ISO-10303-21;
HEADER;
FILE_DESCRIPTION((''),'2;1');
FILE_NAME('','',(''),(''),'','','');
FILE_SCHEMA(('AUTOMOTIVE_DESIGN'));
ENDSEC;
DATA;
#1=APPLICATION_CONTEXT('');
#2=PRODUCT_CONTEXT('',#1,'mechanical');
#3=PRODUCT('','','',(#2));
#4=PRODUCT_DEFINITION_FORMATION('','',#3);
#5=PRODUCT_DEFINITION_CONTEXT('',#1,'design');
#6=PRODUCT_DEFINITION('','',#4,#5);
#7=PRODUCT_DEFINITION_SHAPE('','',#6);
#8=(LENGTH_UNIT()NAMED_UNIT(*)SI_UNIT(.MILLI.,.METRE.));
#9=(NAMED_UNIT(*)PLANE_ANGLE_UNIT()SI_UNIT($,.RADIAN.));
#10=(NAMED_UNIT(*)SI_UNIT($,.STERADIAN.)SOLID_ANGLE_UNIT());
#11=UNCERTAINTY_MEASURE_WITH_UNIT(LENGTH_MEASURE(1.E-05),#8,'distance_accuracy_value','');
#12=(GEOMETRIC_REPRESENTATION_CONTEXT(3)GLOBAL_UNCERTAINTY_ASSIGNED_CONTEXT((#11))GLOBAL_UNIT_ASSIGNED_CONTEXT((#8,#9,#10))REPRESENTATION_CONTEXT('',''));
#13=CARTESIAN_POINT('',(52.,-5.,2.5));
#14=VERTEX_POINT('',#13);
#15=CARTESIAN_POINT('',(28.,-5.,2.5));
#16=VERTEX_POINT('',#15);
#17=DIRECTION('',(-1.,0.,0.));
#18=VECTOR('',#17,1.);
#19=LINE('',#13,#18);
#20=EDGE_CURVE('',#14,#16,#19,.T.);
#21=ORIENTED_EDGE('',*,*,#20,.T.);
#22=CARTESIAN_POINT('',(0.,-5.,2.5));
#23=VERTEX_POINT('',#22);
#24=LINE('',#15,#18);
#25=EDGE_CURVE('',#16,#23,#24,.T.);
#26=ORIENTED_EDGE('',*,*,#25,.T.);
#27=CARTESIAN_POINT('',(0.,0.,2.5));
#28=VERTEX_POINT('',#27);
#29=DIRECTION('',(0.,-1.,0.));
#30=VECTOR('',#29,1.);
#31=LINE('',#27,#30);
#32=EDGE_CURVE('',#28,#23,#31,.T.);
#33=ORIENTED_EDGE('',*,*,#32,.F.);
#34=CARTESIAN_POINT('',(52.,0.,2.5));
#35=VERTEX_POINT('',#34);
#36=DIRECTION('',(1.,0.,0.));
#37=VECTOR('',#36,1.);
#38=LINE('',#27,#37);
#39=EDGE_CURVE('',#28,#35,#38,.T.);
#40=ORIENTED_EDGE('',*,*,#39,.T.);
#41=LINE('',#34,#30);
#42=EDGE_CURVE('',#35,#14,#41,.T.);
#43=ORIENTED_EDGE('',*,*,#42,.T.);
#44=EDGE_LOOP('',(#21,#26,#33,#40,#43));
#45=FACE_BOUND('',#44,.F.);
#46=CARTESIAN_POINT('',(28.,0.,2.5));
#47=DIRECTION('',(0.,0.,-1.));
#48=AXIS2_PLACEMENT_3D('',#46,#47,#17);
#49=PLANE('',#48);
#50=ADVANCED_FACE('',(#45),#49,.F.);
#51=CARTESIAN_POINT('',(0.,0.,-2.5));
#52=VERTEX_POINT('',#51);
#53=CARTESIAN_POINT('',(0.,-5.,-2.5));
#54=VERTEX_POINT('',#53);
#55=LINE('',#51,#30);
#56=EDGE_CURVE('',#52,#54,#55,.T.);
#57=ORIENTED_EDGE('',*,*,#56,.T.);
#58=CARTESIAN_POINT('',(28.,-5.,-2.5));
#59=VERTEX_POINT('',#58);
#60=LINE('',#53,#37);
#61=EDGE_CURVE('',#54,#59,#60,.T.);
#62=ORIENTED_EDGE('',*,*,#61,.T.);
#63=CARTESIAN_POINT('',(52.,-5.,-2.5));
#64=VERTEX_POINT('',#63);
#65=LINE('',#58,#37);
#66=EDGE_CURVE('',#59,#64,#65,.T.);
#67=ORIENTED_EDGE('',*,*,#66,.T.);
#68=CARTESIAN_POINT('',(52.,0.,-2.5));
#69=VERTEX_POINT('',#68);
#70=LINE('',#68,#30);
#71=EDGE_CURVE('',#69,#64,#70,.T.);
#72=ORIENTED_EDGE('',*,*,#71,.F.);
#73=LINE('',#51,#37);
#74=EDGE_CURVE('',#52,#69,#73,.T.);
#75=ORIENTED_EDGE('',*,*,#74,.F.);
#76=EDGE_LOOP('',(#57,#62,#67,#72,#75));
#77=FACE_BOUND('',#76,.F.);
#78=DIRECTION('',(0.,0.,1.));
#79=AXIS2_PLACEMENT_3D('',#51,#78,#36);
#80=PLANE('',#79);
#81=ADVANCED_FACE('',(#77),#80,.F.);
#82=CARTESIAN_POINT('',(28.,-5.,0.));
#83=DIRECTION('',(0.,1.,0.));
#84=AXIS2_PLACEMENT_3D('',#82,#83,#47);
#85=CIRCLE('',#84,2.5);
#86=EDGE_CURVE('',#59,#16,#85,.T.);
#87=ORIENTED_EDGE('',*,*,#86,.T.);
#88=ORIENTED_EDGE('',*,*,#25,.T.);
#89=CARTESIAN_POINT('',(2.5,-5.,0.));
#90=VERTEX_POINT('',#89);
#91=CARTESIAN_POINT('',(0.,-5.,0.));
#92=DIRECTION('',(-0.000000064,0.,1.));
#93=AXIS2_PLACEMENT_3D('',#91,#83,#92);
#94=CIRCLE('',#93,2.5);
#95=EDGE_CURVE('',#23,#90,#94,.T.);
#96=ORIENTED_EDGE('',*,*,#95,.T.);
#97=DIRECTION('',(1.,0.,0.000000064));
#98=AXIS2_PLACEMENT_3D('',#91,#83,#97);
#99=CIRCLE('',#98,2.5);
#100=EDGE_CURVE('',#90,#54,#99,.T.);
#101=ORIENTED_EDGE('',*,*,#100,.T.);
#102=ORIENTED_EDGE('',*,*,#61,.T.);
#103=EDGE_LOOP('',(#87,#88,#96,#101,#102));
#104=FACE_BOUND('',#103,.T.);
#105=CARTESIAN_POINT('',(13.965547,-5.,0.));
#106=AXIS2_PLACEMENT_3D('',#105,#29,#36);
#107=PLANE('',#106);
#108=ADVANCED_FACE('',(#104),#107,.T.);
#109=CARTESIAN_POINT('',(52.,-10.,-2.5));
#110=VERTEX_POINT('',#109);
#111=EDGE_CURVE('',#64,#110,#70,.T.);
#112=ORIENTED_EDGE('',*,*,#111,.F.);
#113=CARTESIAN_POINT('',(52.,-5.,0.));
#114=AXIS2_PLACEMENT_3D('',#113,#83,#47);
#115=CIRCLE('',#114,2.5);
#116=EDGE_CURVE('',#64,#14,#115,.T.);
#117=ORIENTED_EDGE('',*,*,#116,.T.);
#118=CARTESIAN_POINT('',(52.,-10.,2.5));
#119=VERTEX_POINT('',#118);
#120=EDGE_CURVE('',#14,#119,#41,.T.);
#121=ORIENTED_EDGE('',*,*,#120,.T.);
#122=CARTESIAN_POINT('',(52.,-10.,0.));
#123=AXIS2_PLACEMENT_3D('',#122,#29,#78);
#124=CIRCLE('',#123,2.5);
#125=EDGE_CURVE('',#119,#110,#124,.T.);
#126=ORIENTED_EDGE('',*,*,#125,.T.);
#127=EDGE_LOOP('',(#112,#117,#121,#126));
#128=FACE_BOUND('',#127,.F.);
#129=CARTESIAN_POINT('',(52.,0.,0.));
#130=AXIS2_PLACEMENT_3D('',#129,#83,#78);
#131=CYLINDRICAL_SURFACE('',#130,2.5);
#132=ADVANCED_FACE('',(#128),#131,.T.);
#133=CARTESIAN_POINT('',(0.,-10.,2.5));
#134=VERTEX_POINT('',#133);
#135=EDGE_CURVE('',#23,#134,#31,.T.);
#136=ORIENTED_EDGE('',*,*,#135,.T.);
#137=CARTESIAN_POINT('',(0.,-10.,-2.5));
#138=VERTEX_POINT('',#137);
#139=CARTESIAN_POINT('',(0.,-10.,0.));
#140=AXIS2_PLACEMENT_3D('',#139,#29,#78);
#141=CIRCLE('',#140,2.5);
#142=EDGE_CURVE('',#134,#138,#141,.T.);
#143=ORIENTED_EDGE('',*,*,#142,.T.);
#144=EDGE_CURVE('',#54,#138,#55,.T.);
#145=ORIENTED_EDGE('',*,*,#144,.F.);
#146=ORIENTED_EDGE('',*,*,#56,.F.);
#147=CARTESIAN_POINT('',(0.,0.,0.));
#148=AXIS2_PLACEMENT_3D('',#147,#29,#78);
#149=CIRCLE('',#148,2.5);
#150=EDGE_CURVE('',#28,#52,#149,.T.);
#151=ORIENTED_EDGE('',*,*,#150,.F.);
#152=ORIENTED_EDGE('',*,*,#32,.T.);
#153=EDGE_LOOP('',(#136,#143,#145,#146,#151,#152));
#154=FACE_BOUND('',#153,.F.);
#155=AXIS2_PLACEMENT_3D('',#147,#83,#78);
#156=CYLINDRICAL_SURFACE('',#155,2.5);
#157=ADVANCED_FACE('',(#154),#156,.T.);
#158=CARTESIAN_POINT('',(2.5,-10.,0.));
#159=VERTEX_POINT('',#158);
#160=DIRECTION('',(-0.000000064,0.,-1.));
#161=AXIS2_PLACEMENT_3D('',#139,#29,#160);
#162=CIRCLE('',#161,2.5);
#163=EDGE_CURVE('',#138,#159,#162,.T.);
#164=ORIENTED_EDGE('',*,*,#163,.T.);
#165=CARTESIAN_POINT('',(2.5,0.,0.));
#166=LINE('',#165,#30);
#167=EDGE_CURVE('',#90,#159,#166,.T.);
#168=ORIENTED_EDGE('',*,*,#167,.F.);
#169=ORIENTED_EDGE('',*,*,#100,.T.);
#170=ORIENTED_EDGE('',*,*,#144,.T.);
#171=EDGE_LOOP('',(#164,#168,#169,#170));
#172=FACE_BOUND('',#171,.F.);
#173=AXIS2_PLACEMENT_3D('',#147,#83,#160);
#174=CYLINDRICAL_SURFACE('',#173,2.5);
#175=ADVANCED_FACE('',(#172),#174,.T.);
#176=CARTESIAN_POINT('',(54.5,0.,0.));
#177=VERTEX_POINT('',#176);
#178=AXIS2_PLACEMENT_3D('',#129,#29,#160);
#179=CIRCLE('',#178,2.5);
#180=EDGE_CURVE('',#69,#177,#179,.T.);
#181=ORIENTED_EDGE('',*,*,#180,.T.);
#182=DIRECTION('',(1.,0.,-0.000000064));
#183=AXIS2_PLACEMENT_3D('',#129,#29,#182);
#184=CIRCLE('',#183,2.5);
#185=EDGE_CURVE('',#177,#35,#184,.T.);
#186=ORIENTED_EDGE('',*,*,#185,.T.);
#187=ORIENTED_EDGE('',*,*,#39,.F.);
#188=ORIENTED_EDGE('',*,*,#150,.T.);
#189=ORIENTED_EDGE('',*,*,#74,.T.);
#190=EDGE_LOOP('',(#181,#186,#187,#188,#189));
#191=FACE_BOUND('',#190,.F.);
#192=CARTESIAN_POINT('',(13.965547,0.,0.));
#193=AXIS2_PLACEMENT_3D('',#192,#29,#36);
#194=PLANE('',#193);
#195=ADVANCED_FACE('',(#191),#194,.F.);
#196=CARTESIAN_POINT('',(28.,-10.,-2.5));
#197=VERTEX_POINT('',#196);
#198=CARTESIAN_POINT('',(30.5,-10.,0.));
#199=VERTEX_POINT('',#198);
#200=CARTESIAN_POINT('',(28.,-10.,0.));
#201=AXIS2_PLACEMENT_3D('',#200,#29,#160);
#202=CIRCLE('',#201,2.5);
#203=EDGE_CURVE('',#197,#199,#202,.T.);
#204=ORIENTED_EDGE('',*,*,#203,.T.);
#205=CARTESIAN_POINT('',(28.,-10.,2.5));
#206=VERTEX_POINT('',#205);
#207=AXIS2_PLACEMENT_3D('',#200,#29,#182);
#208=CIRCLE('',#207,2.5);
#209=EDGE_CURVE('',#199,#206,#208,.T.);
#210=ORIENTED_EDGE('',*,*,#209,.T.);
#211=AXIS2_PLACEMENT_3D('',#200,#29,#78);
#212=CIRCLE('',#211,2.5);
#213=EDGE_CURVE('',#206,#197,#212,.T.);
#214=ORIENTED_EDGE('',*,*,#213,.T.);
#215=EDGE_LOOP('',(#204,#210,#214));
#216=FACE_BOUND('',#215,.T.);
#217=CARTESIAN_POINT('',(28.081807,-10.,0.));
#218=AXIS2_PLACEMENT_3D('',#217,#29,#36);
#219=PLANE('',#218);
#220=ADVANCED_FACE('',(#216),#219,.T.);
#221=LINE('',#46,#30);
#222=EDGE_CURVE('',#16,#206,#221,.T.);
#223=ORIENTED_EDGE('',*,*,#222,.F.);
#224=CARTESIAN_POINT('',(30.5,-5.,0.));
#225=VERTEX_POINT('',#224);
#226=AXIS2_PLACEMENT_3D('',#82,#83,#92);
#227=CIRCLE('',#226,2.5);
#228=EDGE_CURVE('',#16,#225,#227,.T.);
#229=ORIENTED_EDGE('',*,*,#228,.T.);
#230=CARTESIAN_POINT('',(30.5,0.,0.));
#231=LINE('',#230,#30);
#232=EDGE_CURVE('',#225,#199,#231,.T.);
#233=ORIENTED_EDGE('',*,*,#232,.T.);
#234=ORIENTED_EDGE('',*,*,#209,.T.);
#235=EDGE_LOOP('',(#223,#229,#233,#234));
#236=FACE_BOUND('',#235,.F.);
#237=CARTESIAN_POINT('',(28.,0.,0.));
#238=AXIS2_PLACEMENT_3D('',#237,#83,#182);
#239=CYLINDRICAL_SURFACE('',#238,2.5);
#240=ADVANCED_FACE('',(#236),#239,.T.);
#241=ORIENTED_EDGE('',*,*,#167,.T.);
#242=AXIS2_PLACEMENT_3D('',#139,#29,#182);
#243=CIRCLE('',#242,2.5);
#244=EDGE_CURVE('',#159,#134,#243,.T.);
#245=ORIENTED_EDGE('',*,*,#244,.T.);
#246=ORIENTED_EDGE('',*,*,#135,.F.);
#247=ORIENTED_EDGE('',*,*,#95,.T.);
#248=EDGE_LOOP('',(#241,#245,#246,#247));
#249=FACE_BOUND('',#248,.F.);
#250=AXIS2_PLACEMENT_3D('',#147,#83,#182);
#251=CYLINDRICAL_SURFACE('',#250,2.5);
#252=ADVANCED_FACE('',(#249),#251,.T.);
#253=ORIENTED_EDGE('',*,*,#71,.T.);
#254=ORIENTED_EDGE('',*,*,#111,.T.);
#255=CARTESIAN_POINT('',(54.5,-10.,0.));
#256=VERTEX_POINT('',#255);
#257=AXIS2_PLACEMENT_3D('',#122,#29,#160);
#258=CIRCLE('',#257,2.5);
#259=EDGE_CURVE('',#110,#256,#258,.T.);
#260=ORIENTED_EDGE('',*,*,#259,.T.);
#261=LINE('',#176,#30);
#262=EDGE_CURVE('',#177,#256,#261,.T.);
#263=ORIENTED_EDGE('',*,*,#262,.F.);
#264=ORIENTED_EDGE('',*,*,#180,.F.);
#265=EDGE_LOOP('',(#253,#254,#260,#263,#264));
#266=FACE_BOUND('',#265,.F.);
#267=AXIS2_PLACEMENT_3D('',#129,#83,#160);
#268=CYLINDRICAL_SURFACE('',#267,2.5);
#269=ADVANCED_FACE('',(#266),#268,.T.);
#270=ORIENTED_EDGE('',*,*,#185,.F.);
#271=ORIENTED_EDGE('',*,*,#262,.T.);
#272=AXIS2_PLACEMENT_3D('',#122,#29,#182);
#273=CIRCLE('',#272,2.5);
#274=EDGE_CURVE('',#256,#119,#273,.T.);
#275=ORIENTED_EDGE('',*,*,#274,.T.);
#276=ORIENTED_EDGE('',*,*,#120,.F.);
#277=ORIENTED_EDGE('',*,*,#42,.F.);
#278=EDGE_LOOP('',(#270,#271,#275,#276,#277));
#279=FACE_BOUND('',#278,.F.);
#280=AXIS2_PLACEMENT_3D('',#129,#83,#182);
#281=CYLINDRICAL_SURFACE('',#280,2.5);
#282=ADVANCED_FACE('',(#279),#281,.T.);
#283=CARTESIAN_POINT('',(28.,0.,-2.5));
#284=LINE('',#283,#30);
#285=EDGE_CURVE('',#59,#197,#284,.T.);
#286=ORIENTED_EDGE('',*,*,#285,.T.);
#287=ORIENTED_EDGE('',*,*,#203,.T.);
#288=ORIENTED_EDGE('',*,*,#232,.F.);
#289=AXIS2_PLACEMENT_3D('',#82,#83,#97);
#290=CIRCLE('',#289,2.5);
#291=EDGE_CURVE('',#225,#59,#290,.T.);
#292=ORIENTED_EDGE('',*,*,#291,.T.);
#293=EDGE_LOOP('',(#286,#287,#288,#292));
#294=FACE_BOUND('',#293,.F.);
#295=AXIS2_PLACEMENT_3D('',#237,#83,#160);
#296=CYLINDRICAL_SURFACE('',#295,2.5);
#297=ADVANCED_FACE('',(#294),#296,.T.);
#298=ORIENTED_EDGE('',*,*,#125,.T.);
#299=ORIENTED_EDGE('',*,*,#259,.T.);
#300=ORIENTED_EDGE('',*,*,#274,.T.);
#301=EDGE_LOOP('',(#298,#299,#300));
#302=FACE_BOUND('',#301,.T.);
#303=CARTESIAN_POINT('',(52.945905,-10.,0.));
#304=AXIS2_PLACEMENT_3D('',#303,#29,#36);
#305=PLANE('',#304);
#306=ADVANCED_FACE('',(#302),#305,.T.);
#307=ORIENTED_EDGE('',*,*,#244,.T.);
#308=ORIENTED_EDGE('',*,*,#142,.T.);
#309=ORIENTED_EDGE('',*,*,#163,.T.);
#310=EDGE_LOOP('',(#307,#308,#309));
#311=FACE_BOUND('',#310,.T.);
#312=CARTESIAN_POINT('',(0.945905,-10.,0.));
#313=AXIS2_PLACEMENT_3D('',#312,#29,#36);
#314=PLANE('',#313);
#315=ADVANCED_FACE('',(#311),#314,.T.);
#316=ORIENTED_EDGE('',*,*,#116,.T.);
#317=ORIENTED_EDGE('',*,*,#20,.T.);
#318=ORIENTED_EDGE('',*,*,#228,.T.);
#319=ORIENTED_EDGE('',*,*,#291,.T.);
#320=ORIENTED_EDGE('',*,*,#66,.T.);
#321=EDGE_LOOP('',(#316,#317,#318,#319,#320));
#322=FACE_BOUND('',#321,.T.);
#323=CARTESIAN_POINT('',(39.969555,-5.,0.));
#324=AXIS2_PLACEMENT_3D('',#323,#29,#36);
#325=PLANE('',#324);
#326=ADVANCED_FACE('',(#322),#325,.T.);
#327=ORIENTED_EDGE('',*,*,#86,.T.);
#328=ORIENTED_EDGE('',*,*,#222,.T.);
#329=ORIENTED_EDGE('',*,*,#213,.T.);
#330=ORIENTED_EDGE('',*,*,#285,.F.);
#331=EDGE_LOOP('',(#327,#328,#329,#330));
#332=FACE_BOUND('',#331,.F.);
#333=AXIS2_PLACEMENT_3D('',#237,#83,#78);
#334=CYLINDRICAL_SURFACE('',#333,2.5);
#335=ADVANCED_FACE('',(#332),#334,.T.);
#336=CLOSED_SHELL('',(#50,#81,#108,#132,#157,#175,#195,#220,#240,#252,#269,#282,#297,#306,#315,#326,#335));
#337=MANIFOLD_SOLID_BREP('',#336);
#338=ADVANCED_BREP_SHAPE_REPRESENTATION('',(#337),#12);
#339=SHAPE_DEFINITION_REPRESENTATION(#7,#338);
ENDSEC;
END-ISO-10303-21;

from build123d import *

# Parameters (mm, degrees)
F1_DEPTH = 10
F2_DEPTH = 5


with BuildPart() as f1:
    # F0 (on Front) → F1 (new body)
    with BuildSketch(Plane.XZ):
        with BuildLine():
            ThreePointArc((0, -2.5), (1.767767, -1.767767), (2.5, 0))
            ThreePointArc((2.5, 0), (1.767767, 1.767767), (0, 2.5))
            Line((0, 2.5), (0, -2.5))
        make_face()
        with BuildLine():
            ThreePointArc((30.5, 0), (29.767767, 1.767767), (28, 2.5))
            ThreePointArc((28, 2.5), (25.5, 0), (28, -2.5))
            ThreePointArc((28, -2.5), (29.767767, -1.767767), (30.5, 0))
        make_face()
        with BuildLine():
            ThreePointArc((54.5, 0), (53.767767, 1.767767), (52, 2.5))
            Line((52, 2.5), (52, -2.5))
            ThreePointArc((52, -2.5), (53.767767, -1.767767), (54.5, 0))
        make_face()
        with BuildLine():
            Line((52, -2.5), (52, 2.5))
            ThreePointArc((52, 2.5), (49.5, 0), (52, -2.5))
        make_face()
        with BuildLine():
            Line((0, -2.5), (0, 2.5))
            ThreePointArc((0, 2.5), (-2.5, 0), (0, -2.5))
        make_face()
    extrude(amount=F1_DEPTH)

    # F0 (on Front) → F2 (join)
    with BuildSketch(Plane.XZ):
        with BuildLine():
            ThreePointArc((0, 2.5), (1.767767, 1.767767), (2.5, 0))
            ThreePointArc((2.5, 0), (1.767767, -1.767767), (0, -2.5))
            Line((0, -2.5), (28, -2.5))
            ThreePointArc((28, -2.5), (25.5, 0), (28, 2.5))
            Line((28, 2.5), (0, 2.5))
        make_face()
        with BuildLine():
            Line((0, -2.5), (0, 2.5))
            ThreePointArc((0, 2.5), (-2.5, 0), (0, -2.5))
        make_face()
        with BuildLine():
            Line((52, 2.5), (28, 2.5))
            ThreePointArc((28, 2.5), (29.767767, 1.767767), (30.5, 0))
            ThreePointArc((30.5, 0), (29.767767, -1.767767), (28, -2.5))
            Line((28, -2.5), (52, -2.5))
            ThreePointArc((52, -2.5), (49.5, 0), (52, 2.5))
        make_face()
        with BuildLine():
            ThreePointArc((54.5, 0), (53.767767, 1.767767), (52, 2.5))
            Line((52, 2.5), (52, -2.5))
            ThreePointArc((52, -2.5), (53.767767, -1.767767), (54.5, 0))
        make_face()
    extrude(amount=F2_DEPTH)


solid = f1.part
